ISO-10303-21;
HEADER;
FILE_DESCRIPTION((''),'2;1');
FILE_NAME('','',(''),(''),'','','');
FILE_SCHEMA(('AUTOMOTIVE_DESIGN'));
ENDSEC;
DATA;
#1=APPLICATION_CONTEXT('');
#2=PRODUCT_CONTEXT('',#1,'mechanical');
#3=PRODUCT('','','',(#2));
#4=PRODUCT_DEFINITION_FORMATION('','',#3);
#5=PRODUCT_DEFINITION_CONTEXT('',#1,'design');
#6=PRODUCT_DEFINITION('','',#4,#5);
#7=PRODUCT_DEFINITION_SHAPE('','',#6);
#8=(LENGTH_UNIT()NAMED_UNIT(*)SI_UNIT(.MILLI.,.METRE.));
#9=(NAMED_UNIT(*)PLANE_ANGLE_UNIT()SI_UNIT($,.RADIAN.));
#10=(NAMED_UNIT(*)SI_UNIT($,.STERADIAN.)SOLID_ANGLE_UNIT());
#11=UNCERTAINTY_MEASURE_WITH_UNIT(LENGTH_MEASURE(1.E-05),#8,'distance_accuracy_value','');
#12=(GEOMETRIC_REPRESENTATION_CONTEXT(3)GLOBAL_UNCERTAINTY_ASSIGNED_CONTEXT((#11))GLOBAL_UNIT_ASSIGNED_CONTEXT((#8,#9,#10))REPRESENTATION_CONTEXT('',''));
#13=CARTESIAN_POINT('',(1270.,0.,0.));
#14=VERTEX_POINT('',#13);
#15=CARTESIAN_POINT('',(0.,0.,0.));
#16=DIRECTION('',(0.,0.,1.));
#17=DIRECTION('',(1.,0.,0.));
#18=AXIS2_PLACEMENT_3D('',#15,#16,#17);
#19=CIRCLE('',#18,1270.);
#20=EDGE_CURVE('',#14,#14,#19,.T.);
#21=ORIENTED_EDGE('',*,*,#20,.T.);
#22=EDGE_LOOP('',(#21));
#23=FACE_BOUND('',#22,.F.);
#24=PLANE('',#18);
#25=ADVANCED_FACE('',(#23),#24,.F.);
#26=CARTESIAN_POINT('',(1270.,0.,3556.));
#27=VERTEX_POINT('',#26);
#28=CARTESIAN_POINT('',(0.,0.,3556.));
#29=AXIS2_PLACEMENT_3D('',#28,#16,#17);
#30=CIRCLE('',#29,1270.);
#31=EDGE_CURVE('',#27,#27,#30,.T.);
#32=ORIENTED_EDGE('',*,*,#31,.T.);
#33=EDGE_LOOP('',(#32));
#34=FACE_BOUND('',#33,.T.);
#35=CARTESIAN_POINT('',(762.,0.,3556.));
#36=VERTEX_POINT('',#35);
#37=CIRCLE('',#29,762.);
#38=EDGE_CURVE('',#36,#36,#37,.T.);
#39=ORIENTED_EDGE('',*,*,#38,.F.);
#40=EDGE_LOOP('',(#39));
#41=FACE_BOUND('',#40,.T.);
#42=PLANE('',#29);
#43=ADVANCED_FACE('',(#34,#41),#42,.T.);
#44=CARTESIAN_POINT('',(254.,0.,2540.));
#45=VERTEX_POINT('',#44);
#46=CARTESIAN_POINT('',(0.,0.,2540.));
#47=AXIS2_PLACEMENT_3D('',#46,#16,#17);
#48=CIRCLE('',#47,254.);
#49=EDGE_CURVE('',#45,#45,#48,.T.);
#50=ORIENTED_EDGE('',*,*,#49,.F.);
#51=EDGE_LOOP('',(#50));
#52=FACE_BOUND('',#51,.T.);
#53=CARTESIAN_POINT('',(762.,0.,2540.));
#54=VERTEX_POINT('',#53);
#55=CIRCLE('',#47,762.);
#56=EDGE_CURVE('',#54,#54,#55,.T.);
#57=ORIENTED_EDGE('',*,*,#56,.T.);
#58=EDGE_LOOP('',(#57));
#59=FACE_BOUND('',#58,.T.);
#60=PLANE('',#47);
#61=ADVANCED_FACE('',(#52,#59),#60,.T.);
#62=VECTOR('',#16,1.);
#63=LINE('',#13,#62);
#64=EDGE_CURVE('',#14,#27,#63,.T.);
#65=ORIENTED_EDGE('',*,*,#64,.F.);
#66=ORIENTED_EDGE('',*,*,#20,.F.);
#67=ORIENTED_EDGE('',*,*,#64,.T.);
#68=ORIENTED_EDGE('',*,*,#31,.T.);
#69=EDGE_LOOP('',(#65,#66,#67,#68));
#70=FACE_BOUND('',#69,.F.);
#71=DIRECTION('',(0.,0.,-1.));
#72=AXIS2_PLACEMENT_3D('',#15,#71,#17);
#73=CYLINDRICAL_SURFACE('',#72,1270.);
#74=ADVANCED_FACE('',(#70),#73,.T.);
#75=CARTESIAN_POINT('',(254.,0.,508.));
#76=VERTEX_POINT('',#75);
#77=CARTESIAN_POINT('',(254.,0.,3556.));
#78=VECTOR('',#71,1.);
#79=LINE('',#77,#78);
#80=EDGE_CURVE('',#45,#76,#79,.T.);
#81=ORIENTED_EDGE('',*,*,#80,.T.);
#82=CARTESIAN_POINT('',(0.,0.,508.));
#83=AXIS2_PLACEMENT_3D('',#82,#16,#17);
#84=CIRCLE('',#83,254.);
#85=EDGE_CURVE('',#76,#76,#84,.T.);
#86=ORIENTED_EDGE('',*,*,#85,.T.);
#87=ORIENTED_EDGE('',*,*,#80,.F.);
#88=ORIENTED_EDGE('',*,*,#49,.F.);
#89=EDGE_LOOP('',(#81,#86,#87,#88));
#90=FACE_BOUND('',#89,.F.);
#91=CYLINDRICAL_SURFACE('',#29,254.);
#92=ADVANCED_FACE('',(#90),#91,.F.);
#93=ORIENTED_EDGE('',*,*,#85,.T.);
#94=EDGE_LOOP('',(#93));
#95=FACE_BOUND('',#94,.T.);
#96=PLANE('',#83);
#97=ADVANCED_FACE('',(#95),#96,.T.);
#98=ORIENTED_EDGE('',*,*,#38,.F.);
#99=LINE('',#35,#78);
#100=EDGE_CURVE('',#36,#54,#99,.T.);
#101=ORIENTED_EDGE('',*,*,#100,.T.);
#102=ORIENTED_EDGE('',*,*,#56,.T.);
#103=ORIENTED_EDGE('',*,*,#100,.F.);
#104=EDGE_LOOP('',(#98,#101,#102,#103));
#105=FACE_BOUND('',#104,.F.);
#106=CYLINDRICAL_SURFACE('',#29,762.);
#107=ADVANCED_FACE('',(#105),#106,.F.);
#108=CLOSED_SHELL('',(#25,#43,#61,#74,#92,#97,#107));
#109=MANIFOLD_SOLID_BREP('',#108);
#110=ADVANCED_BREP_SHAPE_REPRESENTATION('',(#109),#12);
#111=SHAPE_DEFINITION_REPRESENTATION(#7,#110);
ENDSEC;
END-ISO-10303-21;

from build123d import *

# Parameters (mm, degrees)
SKETCH1_R           = 1270
BOSS_EXTRUDE1_DEPTH = 3556
SKETCH2_R           = 762
CUT_EXTRUDE1_DEPTH  = 1016
SKETCH3_R           = 254
CUT_EXTRUDE2_DEPTH  = 3048


with BuildPart() as part:
    # Sketch1 → Boss-Extrude1 (new body)
    with BuildSketch(Plane.XY):
        Circle(SKETCH1_R)
    extrude(amount=BOSS_EXTRUDE1_DEPTH)

    # Sketch2 → Cut-Extrude1 (cut)
    with BuildSketch(Plane.XY.offset(3556)):
        Circle(SKETCH2_R)
    extrude(amount=-CUT_EXTRUDE1_DEPTH, mode=Mode.SUBTRACT)

    # Sketch3 → Cut-Extrude2 (cut)
    with BuildSketch(Plane.XY.offset(3556)):
        Circle(SKETCH3_R)
    extrude(amount=-CUT_EXTRUDE2_DEPTH, mode=Mode.SUBTRACT)


solid = part.part
